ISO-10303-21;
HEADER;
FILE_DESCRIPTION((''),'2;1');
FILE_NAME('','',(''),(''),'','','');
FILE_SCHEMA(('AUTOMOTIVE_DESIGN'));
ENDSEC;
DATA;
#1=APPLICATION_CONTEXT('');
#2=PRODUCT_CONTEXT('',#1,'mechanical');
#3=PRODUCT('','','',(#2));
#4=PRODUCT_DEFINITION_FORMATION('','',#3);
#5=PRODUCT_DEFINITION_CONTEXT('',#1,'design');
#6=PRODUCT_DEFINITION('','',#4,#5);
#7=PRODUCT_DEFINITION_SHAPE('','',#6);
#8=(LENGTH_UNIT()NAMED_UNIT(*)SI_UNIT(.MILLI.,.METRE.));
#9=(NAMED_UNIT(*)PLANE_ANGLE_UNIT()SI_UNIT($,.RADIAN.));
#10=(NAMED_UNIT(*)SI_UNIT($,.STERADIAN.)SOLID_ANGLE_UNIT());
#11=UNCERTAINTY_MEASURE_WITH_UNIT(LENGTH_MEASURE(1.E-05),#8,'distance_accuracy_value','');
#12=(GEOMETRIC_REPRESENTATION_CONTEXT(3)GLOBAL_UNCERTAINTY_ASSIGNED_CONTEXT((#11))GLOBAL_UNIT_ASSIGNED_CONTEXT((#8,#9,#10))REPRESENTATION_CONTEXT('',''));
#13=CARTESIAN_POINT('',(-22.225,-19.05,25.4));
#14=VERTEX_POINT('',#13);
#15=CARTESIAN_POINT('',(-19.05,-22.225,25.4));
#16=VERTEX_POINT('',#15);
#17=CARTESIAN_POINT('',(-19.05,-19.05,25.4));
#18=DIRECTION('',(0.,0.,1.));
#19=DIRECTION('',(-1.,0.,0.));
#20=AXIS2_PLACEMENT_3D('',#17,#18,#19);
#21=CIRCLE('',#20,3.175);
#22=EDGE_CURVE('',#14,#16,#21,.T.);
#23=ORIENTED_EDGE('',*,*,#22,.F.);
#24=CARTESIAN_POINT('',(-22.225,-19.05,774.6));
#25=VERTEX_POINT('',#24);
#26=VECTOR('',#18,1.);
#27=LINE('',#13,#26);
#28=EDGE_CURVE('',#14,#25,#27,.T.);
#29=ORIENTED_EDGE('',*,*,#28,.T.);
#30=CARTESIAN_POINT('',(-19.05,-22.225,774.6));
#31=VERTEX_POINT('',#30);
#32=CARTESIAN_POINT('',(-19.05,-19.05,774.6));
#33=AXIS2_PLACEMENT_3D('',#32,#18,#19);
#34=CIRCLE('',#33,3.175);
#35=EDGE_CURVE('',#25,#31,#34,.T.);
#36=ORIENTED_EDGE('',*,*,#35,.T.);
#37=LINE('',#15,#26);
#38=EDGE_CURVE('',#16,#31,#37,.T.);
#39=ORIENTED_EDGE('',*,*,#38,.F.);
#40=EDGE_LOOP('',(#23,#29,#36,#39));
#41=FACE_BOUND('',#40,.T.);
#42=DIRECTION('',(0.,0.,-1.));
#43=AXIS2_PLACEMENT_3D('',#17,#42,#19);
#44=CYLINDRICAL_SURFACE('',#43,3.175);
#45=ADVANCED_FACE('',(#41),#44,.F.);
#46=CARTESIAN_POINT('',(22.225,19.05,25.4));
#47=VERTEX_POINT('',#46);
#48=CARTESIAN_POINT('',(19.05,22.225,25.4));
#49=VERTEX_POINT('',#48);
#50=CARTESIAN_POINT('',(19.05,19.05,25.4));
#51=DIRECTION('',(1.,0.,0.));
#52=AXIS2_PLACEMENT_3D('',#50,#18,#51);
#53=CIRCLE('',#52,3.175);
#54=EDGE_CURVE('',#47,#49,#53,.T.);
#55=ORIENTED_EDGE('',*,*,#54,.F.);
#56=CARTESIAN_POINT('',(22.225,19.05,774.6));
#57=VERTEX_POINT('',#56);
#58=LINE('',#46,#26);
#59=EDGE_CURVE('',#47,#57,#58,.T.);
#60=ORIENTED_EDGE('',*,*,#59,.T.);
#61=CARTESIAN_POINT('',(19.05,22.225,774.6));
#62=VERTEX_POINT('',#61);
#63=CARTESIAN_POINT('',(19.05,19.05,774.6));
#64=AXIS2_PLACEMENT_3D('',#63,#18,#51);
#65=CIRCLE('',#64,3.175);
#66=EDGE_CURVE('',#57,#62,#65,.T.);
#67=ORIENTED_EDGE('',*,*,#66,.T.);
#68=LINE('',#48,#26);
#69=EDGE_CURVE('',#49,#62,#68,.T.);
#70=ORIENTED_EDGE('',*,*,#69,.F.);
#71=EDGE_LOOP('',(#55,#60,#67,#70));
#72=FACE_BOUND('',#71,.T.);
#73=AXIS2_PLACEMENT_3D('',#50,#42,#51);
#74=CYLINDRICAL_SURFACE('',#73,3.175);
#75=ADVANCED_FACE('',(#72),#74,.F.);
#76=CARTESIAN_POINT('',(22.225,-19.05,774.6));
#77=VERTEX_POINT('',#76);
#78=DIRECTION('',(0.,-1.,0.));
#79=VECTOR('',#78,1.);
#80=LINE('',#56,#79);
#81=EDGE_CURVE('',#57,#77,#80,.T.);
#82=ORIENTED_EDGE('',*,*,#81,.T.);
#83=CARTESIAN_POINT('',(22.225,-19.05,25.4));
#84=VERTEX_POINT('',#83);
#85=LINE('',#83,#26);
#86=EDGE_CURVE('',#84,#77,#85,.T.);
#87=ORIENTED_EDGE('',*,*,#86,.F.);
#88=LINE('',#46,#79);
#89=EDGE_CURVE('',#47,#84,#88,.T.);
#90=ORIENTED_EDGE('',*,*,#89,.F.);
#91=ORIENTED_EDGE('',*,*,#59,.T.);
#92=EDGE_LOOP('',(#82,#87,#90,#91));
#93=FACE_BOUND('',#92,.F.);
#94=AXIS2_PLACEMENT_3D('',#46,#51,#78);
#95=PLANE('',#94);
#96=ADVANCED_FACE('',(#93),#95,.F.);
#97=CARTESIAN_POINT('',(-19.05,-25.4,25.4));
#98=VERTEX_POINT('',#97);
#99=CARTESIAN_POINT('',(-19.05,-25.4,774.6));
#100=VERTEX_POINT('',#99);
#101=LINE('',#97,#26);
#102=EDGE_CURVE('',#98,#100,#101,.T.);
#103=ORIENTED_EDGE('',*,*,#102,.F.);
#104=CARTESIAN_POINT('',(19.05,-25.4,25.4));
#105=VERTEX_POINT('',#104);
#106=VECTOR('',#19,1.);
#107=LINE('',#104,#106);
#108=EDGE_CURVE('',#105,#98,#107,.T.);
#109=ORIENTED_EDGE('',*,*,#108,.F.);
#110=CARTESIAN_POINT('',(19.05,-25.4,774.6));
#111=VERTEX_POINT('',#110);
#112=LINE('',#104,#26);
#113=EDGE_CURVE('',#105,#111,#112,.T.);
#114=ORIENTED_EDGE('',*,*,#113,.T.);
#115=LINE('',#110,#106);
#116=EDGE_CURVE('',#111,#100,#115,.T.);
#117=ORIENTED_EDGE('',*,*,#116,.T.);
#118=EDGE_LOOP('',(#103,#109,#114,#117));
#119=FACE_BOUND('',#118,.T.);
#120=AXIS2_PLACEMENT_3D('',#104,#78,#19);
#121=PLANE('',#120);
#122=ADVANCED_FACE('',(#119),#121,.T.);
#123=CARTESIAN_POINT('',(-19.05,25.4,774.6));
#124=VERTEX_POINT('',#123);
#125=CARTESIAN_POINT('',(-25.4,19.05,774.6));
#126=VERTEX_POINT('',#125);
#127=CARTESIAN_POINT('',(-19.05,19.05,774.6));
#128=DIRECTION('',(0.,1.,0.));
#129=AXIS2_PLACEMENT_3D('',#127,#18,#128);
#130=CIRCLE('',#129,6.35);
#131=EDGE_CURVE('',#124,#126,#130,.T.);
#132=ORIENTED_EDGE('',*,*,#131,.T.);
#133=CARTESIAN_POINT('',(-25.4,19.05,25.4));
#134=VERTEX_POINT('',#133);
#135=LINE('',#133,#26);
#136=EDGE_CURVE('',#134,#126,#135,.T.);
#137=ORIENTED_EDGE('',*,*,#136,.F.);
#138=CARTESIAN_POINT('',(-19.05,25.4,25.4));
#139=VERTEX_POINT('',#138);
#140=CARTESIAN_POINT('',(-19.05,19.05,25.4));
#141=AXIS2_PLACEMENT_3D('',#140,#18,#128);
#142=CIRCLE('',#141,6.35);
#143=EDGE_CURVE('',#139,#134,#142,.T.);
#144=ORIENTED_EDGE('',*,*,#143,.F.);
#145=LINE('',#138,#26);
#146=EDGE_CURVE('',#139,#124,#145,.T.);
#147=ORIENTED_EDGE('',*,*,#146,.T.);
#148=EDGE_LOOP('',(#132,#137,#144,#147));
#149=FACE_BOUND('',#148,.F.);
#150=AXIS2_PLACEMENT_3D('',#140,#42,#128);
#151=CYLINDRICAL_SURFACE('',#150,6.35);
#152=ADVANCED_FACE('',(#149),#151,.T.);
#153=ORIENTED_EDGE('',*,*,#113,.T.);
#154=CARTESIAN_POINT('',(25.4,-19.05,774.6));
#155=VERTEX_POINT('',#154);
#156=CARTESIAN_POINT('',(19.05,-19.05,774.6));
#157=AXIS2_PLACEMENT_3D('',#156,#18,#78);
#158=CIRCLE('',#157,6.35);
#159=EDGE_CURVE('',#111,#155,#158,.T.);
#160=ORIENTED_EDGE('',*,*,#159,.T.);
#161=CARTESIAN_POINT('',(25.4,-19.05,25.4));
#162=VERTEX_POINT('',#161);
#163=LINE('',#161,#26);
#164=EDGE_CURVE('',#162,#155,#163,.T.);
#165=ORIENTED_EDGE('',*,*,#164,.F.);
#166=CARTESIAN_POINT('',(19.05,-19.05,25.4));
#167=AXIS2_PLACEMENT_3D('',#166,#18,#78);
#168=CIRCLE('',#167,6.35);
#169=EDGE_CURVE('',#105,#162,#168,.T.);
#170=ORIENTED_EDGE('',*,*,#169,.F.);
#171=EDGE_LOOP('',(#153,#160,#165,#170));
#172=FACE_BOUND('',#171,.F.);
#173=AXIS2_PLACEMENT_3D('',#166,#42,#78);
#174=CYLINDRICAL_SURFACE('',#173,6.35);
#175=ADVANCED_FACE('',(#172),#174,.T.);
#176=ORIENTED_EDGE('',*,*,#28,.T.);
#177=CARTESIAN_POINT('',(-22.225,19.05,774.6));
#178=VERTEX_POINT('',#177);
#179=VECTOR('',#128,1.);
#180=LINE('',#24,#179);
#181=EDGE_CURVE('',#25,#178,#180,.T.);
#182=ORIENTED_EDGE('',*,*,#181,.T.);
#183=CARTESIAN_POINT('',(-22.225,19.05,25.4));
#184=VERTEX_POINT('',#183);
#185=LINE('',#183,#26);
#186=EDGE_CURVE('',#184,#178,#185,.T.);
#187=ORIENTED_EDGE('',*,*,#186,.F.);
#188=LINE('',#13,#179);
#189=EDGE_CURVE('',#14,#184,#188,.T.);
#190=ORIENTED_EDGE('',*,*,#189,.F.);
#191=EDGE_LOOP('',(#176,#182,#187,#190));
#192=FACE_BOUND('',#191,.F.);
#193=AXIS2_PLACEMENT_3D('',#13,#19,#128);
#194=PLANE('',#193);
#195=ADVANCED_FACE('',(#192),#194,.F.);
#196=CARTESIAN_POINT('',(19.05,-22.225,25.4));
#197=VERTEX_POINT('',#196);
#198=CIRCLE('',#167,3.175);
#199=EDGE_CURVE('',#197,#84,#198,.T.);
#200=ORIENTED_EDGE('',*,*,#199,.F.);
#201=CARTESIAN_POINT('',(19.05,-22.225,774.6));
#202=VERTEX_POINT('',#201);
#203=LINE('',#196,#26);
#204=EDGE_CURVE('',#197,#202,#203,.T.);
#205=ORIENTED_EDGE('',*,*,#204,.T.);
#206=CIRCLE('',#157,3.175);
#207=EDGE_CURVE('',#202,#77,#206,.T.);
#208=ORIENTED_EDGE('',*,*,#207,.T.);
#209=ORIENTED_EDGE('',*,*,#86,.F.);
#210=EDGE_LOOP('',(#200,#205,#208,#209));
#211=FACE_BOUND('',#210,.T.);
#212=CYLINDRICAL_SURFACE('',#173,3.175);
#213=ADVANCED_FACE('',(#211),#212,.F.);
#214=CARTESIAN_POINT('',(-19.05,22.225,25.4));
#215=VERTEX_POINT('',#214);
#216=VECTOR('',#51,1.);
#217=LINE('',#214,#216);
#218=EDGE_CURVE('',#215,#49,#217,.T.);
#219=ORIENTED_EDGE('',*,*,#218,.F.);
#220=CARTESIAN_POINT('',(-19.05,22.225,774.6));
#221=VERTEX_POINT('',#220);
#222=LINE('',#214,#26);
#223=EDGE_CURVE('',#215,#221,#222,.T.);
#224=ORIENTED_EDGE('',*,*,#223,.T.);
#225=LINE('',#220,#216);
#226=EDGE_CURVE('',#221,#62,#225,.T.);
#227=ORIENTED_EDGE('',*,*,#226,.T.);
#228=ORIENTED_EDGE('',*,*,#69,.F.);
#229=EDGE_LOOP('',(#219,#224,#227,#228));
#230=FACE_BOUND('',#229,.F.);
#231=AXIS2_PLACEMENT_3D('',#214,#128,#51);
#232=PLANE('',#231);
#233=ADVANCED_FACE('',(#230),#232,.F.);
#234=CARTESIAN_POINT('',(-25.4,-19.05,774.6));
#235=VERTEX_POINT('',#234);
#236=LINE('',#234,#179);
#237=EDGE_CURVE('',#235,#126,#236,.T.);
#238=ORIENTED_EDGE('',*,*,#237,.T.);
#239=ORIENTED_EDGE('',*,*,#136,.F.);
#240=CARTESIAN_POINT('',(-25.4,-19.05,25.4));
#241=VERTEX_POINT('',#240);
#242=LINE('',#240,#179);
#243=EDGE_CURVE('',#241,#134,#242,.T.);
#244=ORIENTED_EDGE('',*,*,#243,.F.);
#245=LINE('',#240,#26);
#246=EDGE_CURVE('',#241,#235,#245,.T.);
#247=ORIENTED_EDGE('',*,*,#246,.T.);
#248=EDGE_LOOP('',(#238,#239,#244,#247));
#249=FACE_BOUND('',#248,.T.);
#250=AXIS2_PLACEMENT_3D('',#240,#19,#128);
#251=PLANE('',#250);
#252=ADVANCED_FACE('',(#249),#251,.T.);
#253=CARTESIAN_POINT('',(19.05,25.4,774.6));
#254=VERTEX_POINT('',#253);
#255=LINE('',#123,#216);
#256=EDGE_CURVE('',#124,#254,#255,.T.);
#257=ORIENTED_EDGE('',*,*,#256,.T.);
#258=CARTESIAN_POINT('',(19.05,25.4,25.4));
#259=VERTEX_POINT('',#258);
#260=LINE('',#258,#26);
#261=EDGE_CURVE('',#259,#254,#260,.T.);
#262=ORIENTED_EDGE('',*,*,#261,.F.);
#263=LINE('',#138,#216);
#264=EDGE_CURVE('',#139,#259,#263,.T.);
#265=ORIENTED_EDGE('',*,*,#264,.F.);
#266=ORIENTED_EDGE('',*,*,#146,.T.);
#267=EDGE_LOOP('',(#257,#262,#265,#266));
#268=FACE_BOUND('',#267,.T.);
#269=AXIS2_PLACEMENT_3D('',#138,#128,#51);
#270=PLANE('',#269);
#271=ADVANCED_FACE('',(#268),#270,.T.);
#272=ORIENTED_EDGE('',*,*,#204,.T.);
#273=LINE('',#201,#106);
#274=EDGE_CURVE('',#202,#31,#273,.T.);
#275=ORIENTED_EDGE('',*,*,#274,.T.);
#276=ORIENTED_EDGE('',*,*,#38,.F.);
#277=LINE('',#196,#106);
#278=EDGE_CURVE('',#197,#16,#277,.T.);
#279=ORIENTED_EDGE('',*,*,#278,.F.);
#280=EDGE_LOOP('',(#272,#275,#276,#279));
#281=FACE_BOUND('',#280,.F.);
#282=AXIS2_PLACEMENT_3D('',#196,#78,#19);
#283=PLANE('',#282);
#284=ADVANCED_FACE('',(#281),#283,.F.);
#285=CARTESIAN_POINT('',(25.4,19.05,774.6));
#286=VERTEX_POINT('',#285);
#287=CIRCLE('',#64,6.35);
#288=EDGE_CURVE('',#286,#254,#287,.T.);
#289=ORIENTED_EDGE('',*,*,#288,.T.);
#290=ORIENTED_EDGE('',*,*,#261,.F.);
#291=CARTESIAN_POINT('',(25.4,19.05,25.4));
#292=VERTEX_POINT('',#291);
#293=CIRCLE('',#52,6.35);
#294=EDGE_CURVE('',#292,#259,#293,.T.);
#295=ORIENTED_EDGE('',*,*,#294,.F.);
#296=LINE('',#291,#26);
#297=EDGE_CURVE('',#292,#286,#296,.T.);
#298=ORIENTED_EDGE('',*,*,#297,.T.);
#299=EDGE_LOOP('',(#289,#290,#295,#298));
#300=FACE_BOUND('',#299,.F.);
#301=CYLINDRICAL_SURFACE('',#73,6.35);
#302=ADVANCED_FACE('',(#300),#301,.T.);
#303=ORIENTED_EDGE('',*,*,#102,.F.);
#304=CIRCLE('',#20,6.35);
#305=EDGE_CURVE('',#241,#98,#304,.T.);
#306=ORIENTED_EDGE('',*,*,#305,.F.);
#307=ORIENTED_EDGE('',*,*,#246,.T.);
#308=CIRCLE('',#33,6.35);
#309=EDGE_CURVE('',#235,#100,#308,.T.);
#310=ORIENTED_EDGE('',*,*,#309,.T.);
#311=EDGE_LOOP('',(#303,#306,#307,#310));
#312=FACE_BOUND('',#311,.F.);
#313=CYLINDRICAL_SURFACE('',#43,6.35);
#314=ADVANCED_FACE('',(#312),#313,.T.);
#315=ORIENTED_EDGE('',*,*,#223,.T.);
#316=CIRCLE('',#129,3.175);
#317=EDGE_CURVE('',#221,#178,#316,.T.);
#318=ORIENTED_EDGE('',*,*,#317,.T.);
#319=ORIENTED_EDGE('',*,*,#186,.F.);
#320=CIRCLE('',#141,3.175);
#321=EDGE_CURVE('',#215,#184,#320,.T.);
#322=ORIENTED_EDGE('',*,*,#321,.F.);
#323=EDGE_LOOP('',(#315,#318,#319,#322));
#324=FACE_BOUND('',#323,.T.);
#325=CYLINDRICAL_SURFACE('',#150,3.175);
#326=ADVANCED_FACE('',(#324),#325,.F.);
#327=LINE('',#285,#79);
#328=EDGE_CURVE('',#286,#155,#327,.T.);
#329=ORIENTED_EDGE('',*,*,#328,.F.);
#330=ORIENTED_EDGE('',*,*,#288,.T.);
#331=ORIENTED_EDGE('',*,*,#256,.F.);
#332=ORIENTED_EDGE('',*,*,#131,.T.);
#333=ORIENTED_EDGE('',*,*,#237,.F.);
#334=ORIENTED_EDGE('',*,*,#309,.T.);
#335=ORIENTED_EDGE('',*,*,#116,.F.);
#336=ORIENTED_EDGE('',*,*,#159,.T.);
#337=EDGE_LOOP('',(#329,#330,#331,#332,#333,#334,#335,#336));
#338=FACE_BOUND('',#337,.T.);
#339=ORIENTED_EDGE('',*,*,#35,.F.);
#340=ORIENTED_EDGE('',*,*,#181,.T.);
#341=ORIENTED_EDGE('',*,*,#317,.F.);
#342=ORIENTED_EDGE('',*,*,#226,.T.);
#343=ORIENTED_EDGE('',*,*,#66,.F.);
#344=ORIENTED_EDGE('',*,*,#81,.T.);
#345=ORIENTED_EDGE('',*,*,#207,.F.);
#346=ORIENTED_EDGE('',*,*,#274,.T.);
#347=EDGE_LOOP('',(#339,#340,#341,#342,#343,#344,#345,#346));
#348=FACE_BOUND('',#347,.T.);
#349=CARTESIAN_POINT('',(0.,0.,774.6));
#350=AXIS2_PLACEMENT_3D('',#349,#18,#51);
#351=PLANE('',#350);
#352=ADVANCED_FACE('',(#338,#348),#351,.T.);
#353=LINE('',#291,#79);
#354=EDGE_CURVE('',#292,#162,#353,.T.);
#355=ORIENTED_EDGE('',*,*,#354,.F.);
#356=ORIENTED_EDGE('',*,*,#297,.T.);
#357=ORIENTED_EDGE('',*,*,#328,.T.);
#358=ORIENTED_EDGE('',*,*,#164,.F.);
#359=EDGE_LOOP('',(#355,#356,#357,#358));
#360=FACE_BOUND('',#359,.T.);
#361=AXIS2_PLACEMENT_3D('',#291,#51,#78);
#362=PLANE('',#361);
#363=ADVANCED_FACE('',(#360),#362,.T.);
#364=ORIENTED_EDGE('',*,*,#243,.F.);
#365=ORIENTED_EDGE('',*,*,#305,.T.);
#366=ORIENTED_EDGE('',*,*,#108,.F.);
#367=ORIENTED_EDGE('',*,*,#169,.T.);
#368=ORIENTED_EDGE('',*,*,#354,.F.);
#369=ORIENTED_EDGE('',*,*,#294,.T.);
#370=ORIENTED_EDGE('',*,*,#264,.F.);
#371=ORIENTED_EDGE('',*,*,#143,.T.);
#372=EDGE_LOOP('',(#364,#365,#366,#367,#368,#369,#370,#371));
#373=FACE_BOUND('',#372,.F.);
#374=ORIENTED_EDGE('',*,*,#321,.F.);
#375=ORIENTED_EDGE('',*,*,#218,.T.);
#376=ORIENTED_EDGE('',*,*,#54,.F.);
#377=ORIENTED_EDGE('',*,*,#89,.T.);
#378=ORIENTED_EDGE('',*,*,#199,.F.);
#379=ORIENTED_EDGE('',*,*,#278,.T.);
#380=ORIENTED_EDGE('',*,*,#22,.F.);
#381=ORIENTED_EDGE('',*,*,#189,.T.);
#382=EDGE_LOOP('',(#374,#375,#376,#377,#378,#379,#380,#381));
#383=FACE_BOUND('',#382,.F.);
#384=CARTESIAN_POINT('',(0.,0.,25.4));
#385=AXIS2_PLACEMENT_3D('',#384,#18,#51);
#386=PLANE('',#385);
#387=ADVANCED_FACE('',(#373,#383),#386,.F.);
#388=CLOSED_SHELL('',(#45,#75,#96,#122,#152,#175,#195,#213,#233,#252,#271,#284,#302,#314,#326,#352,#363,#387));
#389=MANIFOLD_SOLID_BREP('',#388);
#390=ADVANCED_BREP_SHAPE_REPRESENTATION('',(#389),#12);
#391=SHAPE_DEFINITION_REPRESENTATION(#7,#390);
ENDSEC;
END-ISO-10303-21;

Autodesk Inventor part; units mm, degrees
ref_plane "Plano inicial" through (0, 0, 25.4) normal (0, 0, 1) x (1, 0, 0)
ref_plane "Plano final" through (0, 0, 774.6) normal (0, 0, 1) x (1, 0, 0)
sketch "Boceto" plane through (0, 0, 0) normal (0, 0, 1) x (1, 0, 0)
  line L0 (-25.4, -19.05) -> (-25.4, 19.05)
  line L1 (-19.05, 25.4) -> (19.05, 25.4)
  line L2 (25.4, 19.05) -> (25.4, -19.05)
  line L3 (19.05, -25.4) -> (-19.05, -25.4)
  arc A0 (-25.4, -19.05) -> (-19.05, -25.4) centre (-19.05, -19.05) ccw
  arc A1 (-19.05, 25.4) -> (-25.4, 19.05) centre (-19.05, 19.05) ccw
  arc A2 (25.4, 19.05) -> (19.05, 25.4) centre (19.05, 19.05) ccw
  arc A3 (19.05, -25.4) -> (25.4, -19.05) centre (19.05, -19.05) ccw
  arc A4 (-19.05, 22.225) -> (-22.225, 19.05) centre (-19.05, 19.05) ccw
  line L4 (-19.05, 22.225) -> (19.05, 22.225)
  arc A5 (22.225, 19.05) -> (19.05, 22.225) centre (19.05, 19.05) ccw
  line L5 (22.225, 19.05) -> (22.225, -19.05)
  arc A6 (19.05, -22.225) -> (22.225, -19.05) centre (19.05, -19.05) ccw
  line L6 (19.05, -22.225) -> (-19.05, -22.225)
  arc A7 (-22.225, -19.05) -> (-19.05, -22.225) centre (-19.05, -19.05) ccw
  line L7 (-22.225, -19.05) -> (-22.225, 19.05)
  line L8 (0, 37.4012) -> (0, -37.4012) construction
  line L9 (-37.4012, 0) -> (37.4012, 0) construction
  dimension "d10" = 50.8
  dimension "d11" = 50.8
  dimension "d12" = 3.175
  dimension "d15" = 25.4
  dimension "d16" = 25.4
  dimension "d17" = 6.35
extrude "Cuerpo" add sketch "Boceto" along normal up to surface (749.2 mm away) from surface at 25.4
sketch "Sketch3" plane through (0, 0, 0) normal (0, 0, 1) x (1, 0, 0)
  line L0 (0, 0) -> (10, 0)
ref_plane "Work Plane3" through (0, 0, 0) normal (0, -1, 0) x (1, 0, 0)
ref_plane "Plano de trabajo4" through (0, -1570.95, 774.6) normal (0, 0, 1) x (1, 0, 0)
split "Dividir1" plane through (0, -1570.95, 774.6) removes the side toward (0, 0, 1)
ref_plane "Plano de trabajo5" through (19.05, -1590, 25.4) normal (0, 0, -1) x (-1, 0, 0)
split "Dividir2" plane through (19.05, -1590, 25.4) removes the side toward (0, 0, -1)
sketch "Sketch4" plane through (0, 0, 0) normal (0, -1, 0) x (1, 0, 0)
  line L0 (-2, 25.4) -> (12, 25.4) projected
  line L1 (-2, 774.6) -> (12, 774.6) projected
  dimension "d19" = 749.2
equation "\"d10\" = G_H"
equation "\"d11\" = G_W"
equation "\"d12\" = G_T"
equation "\"d15\" = 0.5 * d10"
equation "\"d16\" = 0.5 * d11"
equation "\"d17\" = G_IR"
equation "\"d3\" = G_L"
equation "\"G_W\" = 50.8"
equation "\"G_H\" = 50.8"
equation "\"G_T\" = 3.175"
equation "\"G_IR\" = 6.35"
equation "\"G_L\" = d19"
equation "\"G_OFFSET_START\" = -25.4"
equation "\"G_OFFSET_END\" = -49.7728"
equation "\"d13\" = -G_OFFSET_START"
equation "\"d14\" = G_OFFSET_END + B_L"
equation "\"B_L\" = 824.3728"
properties part number "AISC - 2 x 2 x 1/8 - 29,496" material "Acero, suave"
